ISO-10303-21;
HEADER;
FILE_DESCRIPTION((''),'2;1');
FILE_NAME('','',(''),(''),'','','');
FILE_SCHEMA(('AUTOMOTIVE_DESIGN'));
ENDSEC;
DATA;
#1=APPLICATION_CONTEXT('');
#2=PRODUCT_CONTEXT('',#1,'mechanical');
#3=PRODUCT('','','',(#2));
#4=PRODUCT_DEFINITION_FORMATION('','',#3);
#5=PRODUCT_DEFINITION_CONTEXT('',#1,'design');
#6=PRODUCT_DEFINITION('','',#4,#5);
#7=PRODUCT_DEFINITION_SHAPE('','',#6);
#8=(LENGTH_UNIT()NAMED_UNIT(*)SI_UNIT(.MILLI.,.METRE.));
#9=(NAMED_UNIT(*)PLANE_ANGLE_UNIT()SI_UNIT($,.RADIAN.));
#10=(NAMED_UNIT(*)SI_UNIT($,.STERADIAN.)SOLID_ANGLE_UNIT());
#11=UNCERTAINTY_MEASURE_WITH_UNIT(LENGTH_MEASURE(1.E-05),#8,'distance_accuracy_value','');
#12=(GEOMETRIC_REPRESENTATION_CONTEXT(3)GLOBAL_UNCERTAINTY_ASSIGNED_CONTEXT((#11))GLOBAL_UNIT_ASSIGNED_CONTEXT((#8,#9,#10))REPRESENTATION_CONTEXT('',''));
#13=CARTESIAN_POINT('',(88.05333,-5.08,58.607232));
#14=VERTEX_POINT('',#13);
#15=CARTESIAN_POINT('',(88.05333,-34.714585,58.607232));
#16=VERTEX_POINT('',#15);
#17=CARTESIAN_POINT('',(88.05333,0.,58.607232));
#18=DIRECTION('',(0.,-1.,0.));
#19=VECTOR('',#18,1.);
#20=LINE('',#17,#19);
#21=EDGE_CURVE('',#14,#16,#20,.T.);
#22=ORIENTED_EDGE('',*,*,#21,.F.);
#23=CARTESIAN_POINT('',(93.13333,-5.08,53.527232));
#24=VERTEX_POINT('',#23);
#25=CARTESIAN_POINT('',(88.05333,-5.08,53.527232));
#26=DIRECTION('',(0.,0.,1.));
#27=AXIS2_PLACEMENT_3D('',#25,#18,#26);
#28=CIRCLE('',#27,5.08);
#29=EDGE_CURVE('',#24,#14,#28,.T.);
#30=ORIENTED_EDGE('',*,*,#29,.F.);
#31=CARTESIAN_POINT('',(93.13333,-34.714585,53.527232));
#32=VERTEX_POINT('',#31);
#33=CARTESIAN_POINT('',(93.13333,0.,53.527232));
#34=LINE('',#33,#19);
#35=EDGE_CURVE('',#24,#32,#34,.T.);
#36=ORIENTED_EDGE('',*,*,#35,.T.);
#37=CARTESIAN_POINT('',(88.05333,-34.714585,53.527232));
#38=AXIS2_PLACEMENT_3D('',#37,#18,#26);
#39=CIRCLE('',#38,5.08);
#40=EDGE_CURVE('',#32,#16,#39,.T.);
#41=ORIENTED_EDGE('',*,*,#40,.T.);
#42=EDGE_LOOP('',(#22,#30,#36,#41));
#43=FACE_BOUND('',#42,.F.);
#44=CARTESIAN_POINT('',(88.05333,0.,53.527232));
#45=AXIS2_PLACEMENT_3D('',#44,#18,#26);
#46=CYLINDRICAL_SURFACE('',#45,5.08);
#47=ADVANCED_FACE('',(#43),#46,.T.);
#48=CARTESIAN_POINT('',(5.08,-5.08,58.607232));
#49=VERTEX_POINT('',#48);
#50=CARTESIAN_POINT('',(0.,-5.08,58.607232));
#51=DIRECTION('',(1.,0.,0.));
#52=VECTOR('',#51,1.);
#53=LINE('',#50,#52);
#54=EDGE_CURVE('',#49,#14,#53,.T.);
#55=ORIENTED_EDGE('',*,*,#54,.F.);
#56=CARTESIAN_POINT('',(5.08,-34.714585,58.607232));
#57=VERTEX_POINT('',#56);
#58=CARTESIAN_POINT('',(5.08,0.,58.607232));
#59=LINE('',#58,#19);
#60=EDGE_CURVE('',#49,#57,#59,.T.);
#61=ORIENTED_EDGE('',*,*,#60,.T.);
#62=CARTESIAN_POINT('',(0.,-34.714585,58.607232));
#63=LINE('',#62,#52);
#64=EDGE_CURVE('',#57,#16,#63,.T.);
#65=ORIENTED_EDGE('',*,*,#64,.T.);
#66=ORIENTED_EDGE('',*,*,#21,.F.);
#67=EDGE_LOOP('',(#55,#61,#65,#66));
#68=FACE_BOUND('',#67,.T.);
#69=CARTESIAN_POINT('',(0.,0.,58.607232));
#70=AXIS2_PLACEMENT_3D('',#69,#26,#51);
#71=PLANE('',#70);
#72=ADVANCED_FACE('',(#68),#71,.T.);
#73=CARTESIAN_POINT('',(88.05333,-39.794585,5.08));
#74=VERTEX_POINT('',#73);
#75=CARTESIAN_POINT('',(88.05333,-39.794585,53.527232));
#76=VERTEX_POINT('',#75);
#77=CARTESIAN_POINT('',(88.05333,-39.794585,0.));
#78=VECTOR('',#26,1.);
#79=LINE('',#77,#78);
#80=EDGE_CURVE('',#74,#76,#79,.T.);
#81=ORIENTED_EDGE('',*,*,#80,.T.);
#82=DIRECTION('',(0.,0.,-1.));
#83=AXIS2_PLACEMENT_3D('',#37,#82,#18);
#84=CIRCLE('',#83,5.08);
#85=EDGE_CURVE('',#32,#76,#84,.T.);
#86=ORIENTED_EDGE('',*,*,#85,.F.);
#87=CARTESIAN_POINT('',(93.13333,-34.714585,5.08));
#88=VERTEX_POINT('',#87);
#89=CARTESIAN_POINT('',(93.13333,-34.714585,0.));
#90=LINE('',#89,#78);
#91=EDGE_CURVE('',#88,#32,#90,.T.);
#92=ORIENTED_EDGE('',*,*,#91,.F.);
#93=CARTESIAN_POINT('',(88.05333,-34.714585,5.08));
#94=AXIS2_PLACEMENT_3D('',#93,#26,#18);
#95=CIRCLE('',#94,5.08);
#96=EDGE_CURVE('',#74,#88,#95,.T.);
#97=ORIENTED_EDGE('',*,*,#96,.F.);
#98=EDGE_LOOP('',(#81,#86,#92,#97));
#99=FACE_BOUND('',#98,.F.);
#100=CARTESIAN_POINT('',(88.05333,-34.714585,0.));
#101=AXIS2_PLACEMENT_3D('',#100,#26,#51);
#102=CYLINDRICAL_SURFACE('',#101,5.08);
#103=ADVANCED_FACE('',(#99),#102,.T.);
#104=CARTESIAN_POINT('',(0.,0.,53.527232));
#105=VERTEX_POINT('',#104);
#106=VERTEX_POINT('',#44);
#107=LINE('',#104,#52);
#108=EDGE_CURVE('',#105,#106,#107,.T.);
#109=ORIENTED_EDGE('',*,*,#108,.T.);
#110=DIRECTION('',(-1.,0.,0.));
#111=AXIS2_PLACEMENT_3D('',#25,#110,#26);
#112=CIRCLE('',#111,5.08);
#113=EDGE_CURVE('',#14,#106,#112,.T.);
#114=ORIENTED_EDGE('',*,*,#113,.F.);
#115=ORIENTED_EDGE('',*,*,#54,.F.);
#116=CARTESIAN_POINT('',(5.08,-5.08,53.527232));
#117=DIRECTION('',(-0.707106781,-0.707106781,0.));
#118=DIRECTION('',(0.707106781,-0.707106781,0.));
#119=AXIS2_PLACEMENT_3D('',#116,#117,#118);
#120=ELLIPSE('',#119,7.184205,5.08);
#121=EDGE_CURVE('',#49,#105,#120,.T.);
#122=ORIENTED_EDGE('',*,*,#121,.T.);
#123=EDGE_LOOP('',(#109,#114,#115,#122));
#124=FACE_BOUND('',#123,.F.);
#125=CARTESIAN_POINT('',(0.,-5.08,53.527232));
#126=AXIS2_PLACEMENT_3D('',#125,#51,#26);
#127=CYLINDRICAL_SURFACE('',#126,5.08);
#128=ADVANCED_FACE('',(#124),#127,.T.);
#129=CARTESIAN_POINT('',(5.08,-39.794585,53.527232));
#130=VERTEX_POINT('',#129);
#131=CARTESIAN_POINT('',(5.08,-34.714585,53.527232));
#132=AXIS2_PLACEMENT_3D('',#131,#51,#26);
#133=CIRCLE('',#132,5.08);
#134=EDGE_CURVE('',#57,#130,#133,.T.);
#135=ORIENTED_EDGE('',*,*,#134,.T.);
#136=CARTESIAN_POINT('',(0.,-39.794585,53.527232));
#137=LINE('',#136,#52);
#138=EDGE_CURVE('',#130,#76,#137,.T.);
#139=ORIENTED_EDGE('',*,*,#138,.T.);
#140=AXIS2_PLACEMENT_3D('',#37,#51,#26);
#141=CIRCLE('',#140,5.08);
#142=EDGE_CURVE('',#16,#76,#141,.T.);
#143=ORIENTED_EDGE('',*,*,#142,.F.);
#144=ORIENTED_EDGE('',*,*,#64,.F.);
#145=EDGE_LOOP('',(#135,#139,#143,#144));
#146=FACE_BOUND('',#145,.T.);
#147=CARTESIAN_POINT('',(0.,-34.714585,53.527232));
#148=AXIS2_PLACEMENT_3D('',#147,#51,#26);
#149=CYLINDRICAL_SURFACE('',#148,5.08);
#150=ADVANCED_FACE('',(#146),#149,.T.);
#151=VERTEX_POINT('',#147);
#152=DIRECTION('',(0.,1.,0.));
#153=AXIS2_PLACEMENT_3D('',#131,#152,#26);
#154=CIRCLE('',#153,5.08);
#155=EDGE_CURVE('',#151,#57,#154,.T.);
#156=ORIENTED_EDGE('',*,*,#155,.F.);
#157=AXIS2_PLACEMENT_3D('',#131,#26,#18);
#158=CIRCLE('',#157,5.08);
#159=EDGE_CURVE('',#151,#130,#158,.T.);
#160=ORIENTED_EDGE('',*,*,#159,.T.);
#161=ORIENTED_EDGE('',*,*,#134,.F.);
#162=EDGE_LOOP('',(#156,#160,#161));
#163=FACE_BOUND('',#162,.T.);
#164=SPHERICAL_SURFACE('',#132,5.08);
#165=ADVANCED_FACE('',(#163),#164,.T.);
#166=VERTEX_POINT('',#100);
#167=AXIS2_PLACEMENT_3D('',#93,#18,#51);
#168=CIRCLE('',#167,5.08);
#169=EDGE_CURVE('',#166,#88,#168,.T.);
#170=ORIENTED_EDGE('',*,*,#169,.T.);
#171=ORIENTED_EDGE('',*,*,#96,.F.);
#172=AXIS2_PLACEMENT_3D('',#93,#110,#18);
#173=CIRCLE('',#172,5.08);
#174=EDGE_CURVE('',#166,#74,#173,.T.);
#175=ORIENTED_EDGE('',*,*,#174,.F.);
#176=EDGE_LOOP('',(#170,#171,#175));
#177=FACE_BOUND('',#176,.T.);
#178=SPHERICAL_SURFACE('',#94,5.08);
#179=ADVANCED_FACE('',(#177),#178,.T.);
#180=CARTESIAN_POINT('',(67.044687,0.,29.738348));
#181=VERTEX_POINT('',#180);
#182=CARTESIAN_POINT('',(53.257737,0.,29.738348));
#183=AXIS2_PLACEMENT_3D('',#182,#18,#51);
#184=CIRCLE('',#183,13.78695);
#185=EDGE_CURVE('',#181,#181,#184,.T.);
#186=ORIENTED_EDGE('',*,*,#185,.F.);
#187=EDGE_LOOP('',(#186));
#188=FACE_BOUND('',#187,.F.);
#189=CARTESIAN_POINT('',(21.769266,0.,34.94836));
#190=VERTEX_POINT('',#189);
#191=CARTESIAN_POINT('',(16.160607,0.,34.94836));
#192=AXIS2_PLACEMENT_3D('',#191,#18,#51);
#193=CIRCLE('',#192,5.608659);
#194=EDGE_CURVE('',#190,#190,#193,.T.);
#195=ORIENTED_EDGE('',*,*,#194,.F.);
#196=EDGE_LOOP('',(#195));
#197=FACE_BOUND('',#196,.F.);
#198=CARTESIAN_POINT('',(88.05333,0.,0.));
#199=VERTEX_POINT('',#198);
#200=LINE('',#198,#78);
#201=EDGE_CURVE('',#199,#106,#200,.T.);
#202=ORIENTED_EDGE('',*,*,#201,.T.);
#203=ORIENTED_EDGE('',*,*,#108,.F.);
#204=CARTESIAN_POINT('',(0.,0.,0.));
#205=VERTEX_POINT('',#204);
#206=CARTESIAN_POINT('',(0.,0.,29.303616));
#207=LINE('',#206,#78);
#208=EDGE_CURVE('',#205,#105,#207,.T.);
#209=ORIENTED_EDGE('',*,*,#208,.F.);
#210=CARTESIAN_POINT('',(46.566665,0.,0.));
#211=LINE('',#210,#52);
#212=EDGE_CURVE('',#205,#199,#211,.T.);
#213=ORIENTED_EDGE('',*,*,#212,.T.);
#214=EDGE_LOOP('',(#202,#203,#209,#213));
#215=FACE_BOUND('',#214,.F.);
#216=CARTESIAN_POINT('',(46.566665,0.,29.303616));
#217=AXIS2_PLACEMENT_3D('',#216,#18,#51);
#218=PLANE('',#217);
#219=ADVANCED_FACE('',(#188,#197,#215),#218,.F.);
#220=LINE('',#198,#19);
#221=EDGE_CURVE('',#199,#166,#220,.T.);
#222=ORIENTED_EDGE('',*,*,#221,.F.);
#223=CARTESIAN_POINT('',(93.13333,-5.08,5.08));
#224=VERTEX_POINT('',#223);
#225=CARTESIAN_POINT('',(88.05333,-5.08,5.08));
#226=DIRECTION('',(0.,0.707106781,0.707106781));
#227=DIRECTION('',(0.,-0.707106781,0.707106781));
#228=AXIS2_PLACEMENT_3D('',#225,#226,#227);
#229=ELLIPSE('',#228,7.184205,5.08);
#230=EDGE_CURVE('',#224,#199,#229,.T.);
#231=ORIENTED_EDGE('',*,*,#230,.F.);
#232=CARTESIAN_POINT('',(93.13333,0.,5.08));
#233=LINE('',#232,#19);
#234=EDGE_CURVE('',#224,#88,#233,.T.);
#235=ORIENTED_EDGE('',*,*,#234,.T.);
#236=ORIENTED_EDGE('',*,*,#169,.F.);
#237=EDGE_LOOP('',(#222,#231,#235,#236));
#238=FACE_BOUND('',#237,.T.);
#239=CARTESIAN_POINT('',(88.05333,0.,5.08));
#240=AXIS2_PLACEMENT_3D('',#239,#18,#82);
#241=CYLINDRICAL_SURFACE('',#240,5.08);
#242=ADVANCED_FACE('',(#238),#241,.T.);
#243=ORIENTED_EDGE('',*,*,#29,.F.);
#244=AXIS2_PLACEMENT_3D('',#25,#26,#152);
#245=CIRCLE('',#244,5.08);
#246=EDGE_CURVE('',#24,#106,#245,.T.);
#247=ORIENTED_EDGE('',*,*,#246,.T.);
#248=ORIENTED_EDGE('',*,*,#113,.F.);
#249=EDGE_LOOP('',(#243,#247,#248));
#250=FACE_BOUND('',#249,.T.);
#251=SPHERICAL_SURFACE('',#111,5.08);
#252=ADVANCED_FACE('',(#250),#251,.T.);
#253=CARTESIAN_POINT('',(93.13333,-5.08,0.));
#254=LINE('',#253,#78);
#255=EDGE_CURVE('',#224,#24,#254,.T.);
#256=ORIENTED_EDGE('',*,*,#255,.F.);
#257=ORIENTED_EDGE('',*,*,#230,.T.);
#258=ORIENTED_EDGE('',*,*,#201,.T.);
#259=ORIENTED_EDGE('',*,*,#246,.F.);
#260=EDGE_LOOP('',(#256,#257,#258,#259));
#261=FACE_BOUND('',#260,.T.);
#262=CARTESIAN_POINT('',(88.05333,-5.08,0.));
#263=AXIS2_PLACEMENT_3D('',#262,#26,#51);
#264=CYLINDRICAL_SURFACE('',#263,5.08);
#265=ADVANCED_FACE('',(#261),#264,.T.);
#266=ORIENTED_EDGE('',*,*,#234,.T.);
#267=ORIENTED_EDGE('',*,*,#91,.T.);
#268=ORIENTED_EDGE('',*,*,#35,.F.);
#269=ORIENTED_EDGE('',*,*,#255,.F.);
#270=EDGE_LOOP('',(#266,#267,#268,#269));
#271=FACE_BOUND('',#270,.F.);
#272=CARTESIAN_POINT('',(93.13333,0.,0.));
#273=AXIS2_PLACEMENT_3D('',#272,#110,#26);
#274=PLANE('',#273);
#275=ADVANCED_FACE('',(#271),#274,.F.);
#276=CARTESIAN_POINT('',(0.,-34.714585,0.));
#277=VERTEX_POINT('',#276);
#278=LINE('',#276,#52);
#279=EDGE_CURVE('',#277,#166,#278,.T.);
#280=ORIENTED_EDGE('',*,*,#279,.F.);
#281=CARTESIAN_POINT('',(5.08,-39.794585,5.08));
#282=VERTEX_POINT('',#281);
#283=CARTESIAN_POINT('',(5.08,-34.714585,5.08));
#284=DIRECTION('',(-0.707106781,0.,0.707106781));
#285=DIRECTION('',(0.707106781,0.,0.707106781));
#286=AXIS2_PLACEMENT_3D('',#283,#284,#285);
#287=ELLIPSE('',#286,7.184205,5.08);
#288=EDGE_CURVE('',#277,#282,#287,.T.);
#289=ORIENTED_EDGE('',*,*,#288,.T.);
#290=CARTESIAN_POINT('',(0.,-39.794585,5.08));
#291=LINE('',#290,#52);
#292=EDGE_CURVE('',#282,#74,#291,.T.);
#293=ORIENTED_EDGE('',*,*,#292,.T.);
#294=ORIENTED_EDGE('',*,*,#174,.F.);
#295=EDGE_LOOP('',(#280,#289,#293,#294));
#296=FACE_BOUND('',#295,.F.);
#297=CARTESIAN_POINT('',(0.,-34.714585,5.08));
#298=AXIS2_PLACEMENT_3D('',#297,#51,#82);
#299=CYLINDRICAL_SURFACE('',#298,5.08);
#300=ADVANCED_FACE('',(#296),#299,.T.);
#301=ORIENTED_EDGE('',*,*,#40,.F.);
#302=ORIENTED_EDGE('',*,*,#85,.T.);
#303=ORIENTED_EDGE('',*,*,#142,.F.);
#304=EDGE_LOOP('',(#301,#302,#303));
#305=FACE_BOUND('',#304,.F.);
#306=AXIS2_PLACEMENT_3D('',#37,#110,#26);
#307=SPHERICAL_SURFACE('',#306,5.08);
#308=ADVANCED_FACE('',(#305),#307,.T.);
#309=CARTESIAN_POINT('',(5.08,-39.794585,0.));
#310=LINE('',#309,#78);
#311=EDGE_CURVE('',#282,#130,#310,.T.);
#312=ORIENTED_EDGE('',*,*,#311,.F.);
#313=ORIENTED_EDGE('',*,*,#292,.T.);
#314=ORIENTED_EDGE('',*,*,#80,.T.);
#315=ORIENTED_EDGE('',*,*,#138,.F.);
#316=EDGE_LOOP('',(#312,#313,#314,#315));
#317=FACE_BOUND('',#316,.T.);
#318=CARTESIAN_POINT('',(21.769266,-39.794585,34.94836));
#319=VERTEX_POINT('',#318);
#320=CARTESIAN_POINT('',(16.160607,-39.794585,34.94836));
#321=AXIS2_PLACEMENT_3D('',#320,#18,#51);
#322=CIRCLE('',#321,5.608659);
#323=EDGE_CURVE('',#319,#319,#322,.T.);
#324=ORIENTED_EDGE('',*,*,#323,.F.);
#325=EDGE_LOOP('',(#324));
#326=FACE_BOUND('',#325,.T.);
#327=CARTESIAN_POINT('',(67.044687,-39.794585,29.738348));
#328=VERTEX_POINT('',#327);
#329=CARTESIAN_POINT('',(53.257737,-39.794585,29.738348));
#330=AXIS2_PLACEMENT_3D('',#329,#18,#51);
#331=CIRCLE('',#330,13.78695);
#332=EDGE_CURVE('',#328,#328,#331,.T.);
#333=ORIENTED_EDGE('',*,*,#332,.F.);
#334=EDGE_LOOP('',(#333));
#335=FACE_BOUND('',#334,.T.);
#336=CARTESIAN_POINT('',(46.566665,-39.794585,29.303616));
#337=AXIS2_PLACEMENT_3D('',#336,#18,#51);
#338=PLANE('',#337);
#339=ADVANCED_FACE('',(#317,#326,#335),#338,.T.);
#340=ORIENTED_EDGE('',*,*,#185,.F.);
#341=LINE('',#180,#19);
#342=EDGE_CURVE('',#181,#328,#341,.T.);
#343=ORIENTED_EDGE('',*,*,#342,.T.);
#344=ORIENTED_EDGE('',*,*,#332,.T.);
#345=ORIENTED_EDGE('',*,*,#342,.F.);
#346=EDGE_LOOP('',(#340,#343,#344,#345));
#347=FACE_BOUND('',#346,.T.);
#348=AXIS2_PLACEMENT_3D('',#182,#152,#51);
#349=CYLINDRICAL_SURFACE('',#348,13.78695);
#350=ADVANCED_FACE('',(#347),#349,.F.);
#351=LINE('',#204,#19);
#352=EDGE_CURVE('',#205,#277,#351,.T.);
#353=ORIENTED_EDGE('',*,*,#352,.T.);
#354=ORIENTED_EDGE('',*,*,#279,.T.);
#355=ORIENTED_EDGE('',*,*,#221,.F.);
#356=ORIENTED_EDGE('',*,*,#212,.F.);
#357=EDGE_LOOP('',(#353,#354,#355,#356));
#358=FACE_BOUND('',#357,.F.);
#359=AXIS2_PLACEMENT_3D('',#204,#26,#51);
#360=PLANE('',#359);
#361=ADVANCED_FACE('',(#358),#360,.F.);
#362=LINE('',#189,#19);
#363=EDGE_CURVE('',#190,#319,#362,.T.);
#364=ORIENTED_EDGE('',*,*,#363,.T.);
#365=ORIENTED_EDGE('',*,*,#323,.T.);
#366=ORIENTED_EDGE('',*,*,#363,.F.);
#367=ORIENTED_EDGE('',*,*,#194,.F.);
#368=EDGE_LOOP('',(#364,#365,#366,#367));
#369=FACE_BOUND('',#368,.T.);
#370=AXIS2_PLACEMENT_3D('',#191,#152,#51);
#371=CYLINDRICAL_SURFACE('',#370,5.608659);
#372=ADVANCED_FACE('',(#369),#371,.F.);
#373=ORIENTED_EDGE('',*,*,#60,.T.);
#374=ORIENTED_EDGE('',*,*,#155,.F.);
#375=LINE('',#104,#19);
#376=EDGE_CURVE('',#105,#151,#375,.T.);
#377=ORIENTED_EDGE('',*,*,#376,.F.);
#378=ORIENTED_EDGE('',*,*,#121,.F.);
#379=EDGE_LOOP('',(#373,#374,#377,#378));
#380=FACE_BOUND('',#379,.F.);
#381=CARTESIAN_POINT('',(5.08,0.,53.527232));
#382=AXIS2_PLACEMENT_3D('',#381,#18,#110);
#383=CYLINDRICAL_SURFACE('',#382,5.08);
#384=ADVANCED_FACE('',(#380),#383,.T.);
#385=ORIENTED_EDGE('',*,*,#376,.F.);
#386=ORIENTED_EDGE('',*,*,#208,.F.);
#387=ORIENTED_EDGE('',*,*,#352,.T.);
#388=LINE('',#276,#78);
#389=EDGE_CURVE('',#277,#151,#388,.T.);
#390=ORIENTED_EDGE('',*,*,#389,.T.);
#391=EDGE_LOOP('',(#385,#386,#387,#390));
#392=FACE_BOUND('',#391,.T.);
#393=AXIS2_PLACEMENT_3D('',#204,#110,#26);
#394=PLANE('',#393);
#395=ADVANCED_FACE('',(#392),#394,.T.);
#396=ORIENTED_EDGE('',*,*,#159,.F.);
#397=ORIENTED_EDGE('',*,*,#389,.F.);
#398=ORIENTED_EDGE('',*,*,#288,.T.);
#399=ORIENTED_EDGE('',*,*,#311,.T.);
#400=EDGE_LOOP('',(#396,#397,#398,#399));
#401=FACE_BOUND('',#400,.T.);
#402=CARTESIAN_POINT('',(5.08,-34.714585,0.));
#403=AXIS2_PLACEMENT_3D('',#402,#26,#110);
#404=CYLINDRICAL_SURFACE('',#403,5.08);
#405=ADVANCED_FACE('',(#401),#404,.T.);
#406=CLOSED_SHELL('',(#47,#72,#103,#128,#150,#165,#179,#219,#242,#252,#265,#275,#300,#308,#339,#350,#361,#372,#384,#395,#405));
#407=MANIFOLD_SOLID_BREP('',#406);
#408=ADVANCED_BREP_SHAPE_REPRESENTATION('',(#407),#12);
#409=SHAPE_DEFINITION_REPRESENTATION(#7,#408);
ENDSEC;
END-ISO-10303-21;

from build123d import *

# Parameters (mm, degrees)
F0_W     = 93.13333
F0_H     = 58.607232
F0_R     = 5.608659
F0_R_2   = 13.78695
F1_DEPTH = 39.794585
F2_R     = 5.08


with BuildPart() as f1:
    # F0 (on Front) → F1 (new body)
    with BuildSketch(Plane.XZ):
        with Locations((46.566665, 29.303616)):
            Rectangle(F0_W, F0_H)
        with Locations((16.160607, 34.94836)):
            Circle(F0_R, mode=Mode.SUBTRACT)
        with Locations((53.257737, 29.738348)):
            Circle(F0_R_2, mode=Mode.SUBTRACT)
    extrude(amount=F1_DEPTH)

    # F2
    f2_edges = [f1.edges().sort_by_distance(p)[0] for p in [
        (46.566665, -39.794585, 58.607232),
        (46.566665, 0, 58.607232),
        (0, -19.897292, 58.607232),
        (93.13333, -19.897292, 58.607232),
        (93.13333, -39.794585, 29.303616),
        (0, -39.794585, 29.303616),
        (46.566665, -39.794585, 0),
        (93.13333, 0, 29.303616),
        (93.13333, -19.897292, 0),
    ]]
    fillet(f2_edges, radius=F2_R)


solid = f1.part
